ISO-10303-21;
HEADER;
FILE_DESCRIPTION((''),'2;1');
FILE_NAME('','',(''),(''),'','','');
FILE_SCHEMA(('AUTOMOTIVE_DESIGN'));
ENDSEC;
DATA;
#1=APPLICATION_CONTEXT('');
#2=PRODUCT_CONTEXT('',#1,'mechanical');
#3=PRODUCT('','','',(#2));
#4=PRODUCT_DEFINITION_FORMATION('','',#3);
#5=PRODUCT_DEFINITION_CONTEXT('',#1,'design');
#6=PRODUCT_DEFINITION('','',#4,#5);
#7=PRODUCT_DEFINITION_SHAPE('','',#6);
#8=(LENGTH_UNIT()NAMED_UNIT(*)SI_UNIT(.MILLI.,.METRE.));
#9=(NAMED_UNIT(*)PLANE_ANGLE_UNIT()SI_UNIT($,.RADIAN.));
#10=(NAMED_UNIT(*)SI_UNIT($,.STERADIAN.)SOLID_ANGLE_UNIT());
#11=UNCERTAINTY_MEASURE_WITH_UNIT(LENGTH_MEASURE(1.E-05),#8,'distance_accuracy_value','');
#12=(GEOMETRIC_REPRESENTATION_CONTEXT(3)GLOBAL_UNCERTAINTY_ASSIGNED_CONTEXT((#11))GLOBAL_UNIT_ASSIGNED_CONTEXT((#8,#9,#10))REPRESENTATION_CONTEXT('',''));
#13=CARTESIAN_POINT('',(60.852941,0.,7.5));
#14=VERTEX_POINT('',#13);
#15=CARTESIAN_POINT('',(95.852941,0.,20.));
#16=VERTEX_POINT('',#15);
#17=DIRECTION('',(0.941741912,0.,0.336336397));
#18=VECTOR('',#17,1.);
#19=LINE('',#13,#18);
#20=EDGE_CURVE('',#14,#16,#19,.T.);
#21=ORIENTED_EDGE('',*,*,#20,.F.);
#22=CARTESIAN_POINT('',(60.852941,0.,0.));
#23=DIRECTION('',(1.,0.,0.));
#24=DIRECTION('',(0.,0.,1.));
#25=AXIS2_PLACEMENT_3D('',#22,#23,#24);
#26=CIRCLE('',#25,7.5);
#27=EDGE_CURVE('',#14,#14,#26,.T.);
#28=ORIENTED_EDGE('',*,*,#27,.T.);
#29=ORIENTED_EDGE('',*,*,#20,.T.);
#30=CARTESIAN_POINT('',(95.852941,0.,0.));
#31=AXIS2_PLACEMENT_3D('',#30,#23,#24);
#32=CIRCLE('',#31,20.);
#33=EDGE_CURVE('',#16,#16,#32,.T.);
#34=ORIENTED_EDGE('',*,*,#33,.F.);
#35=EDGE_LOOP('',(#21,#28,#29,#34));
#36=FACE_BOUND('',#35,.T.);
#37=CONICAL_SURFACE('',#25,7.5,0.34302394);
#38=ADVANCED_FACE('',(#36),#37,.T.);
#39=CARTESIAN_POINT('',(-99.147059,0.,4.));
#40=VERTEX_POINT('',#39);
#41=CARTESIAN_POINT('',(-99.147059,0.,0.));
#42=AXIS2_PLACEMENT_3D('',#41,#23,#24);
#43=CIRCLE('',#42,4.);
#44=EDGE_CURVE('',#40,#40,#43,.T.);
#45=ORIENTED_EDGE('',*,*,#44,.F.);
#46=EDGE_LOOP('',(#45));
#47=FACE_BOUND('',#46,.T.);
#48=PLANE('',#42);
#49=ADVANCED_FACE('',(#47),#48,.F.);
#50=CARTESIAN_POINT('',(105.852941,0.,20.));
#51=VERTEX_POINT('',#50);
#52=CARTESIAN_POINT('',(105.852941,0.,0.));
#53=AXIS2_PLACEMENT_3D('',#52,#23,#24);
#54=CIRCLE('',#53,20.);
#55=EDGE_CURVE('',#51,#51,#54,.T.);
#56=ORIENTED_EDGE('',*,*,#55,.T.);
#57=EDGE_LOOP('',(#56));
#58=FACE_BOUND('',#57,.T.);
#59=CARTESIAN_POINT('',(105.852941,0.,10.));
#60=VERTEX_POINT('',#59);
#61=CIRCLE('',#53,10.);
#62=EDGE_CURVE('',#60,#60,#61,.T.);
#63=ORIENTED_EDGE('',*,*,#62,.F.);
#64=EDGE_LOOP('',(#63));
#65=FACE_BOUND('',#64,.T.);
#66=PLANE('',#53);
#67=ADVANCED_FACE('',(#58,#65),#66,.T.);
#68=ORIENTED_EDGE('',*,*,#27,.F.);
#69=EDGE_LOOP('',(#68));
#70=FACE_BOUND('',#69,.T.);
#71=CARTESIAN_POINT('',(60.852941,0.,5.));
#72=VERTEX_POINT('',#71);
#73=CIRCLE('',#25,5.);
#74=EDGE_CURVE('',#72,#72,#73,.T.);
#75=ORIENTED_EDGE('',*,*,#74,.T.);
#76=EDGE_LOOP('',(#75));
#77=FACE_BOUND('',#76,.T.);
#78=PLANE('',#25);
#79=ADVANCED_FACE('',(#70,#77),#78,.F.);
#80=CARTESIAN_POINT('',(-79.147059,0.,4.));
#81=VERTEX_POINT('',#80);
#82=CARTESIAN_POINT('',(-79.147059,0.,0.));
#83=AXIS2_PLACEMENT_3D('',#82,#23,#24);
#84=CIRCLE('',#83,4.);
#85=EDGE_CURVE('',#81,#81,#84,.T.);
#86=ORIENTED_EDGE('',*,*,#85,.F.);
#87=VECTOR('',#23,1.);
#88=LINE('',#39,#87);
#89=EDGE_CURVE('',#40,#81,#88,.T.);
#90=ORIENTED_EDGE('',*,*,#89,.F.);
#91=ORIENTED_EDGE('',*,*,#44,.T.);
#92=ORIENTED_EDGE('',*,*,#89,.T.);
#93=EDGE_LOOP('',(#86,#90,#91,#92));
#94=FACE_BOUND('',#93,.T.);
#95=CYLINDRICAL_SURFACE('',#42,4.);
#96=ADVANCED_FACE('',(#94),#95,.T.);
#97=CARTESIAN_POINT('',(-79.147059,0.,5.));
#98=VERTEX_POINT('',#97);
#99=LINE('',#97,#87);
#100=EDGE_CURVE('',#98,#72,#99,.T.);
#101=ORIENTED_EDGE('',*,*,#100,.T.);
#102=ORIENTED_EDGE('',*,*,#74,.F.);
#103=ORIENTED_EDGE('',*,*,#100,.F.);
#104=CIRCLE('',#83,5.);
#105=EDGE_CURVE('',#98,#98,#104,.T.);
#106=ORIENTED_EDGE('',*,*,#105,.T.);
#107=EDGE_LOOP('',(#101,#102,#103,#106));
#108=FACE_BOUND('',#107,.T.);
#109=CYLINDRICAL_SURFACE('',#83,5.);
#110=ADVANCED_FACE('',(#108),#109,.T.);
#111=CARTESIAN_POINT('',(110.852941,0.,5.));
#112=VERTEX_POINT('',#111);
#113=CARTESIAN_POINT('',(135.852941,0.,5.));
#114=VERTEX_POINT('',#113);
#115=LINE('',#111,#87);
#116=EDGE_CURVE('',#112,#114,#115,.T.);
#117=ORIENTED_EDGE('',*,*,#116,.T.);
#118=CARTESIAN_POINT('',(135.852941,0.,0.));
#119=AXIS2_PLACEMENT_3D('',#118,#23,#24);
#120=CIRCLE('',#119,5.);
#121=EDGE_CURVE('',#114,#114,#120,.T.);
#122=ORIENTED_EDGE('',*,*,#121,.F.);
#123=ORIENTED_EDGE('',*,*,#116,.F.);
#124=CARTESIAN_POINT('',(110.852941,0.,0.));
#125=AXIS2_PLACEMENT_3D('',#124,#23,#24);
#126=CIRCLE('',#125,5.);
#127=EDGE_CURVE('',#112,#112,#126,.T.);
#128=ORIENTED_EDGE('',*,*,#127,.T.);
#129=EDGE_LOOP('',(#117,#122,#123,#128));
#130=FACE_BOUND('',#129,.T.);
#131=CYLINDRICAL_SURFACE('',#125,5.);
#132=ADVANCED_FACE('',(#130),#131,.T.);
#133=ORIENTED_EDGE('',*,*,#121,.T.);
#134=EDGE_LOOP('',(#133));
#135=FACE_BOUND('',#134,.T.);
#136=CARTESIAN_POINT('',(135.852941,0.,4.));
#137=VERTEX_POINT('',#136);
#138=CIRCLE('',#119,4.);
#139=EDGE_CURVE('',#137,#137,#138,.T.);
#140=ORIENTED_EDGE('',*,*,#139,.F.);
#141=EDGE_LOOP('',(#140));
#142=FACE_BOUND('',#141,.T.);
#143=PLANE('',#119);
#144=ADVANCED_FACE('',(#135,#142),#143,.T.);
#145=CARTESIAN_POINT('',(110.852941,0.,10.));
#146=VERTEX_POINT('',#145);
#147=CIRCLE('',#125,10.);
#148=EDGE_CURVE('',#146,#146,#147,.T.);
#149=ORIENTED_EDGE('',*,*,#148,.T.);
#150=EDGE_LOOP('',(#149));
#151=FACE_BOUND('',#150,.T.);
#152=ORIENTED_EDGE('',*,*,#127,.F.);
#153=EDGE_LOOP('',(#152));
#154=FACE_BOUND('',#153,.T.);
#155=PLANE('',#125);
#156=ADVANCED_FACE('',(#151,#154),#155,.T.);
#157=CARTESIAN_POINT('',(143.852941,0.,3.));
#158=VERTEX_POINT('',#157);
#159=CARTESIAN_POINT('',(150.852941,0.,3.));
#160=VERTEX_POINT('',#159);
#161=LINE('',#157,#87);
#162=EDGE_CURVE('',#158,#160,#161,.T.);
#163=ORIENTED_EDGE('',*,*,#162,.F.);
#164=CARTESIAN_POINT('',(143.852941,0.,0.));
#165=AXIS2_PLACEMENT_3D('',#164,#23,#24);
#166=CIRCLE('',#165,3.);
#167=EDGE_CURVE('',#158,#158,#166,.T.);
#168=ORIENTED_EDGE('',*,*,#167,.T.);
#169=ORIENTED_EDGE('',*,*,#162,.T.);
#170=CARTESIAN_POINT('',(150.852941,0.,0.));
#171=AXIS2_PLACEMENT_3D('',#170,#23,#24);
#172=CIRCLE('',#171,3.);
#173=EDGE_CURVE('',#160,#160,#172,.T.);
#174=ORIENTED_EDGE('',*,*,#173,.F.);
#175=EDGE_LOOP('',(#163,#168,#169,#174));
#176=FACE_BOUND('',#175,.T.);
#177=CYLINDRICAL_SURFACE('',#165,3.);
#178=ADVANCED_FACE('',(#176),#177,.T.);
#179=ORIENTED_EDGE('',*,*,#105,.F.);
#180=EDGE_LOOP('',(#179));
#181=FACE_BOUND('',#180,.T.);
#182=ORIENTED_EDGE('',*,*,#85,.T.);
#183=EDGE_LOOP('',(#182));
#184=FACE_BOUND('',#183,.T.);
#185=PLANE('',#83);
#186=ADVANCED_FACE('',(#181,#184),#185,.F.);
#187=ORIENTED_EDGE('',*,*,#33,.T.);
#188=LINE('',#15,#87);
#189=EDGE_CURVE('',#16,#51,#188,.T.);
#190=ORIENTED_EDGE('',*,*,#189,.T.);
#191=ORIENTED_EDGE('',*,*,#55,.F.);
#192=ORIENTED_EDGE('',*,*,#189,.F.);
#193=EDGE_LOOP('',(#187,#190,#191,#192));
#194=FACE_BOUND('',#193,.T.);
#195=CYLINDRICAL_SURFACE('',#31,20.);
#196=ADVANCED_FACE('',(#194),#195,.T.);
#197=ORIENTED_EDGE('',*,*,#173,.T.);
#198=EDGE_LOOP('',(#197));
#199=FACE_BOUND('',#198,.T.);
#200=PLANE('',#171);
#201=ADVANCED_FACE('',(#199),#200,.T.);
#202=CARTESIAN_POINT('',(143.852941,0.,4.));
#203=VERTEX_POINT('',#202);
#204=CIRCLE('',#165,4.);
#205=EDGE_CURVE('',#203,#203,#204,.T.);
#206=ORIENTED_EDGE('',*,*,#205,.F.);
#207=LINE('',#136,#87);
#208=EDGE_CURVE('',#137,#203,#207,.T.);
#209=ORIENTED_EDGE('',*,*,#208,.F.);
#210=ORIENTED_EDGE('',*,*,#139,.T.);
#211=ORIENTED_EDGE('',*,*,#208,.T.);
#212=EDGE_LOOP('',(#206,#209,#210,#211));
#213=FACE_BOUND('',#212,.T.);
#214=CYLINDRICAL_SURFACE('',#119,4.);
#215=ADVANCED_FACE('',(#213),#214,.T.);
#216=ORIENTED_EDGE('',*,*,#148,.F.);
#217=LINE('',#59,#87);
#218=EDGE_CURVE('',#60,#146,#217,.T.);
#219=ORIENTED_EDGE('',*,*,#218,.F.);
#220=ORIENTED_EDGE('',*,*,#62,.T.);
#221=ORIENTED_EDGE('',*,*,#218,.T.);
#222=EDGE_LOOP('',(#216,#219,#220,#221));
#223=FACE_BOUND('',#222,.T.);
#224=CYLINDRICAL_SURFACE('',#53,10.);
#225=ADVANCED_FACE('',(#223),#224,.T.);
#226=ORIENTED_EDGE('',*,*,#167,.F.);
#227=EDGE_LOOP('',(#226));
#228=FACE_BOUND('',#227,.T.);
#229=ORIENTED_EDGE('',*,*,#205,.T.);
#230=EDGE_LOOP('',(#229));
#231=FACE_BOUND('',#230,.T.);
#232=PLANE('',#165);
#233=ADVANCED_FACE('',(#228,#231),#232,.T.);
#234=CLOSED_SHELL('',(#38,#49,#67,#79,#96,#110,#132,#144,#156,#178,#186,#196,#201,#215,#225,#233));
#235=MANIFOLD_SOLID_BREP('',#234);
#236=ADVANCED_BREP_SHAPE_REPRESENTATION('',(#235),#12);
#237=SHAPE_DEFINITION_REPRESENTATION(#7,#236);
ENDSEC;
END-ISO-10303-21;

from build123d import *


with BuildPart() as part:
    # Sketch1 → Revolve1 (revolve)
    with BuildSketch(Plane.XY, mode=Mode.PRIVATE) as revolve1_sk:
        Polygon((-99.147058824, 0), (-99.147058824, 4), (-79.147058824, 4), (-79.147058824, 5), (60.852941176, 5), (60.852941176, 7.5), (95.852941176, 20), (105.852941176, 20), (105.852941176, 10), (110.852941176, 10), (110.852941176, 5), (135.852941176, 5), (135.852941176, 4), (143.852941176, 4), (143.852941176, 3), (150.852941176, 3), (150.852941176, 0), align=None)
    revolve(revolve1_sk.sketch.rotate(Axis((-132.617647059, 0, 0), (1, 0, 0)), 90), axis=Axis((-132.617647059, 0, 0), (1, 0, 0)))  # turned: the seam where the file's is


solid = part.part
